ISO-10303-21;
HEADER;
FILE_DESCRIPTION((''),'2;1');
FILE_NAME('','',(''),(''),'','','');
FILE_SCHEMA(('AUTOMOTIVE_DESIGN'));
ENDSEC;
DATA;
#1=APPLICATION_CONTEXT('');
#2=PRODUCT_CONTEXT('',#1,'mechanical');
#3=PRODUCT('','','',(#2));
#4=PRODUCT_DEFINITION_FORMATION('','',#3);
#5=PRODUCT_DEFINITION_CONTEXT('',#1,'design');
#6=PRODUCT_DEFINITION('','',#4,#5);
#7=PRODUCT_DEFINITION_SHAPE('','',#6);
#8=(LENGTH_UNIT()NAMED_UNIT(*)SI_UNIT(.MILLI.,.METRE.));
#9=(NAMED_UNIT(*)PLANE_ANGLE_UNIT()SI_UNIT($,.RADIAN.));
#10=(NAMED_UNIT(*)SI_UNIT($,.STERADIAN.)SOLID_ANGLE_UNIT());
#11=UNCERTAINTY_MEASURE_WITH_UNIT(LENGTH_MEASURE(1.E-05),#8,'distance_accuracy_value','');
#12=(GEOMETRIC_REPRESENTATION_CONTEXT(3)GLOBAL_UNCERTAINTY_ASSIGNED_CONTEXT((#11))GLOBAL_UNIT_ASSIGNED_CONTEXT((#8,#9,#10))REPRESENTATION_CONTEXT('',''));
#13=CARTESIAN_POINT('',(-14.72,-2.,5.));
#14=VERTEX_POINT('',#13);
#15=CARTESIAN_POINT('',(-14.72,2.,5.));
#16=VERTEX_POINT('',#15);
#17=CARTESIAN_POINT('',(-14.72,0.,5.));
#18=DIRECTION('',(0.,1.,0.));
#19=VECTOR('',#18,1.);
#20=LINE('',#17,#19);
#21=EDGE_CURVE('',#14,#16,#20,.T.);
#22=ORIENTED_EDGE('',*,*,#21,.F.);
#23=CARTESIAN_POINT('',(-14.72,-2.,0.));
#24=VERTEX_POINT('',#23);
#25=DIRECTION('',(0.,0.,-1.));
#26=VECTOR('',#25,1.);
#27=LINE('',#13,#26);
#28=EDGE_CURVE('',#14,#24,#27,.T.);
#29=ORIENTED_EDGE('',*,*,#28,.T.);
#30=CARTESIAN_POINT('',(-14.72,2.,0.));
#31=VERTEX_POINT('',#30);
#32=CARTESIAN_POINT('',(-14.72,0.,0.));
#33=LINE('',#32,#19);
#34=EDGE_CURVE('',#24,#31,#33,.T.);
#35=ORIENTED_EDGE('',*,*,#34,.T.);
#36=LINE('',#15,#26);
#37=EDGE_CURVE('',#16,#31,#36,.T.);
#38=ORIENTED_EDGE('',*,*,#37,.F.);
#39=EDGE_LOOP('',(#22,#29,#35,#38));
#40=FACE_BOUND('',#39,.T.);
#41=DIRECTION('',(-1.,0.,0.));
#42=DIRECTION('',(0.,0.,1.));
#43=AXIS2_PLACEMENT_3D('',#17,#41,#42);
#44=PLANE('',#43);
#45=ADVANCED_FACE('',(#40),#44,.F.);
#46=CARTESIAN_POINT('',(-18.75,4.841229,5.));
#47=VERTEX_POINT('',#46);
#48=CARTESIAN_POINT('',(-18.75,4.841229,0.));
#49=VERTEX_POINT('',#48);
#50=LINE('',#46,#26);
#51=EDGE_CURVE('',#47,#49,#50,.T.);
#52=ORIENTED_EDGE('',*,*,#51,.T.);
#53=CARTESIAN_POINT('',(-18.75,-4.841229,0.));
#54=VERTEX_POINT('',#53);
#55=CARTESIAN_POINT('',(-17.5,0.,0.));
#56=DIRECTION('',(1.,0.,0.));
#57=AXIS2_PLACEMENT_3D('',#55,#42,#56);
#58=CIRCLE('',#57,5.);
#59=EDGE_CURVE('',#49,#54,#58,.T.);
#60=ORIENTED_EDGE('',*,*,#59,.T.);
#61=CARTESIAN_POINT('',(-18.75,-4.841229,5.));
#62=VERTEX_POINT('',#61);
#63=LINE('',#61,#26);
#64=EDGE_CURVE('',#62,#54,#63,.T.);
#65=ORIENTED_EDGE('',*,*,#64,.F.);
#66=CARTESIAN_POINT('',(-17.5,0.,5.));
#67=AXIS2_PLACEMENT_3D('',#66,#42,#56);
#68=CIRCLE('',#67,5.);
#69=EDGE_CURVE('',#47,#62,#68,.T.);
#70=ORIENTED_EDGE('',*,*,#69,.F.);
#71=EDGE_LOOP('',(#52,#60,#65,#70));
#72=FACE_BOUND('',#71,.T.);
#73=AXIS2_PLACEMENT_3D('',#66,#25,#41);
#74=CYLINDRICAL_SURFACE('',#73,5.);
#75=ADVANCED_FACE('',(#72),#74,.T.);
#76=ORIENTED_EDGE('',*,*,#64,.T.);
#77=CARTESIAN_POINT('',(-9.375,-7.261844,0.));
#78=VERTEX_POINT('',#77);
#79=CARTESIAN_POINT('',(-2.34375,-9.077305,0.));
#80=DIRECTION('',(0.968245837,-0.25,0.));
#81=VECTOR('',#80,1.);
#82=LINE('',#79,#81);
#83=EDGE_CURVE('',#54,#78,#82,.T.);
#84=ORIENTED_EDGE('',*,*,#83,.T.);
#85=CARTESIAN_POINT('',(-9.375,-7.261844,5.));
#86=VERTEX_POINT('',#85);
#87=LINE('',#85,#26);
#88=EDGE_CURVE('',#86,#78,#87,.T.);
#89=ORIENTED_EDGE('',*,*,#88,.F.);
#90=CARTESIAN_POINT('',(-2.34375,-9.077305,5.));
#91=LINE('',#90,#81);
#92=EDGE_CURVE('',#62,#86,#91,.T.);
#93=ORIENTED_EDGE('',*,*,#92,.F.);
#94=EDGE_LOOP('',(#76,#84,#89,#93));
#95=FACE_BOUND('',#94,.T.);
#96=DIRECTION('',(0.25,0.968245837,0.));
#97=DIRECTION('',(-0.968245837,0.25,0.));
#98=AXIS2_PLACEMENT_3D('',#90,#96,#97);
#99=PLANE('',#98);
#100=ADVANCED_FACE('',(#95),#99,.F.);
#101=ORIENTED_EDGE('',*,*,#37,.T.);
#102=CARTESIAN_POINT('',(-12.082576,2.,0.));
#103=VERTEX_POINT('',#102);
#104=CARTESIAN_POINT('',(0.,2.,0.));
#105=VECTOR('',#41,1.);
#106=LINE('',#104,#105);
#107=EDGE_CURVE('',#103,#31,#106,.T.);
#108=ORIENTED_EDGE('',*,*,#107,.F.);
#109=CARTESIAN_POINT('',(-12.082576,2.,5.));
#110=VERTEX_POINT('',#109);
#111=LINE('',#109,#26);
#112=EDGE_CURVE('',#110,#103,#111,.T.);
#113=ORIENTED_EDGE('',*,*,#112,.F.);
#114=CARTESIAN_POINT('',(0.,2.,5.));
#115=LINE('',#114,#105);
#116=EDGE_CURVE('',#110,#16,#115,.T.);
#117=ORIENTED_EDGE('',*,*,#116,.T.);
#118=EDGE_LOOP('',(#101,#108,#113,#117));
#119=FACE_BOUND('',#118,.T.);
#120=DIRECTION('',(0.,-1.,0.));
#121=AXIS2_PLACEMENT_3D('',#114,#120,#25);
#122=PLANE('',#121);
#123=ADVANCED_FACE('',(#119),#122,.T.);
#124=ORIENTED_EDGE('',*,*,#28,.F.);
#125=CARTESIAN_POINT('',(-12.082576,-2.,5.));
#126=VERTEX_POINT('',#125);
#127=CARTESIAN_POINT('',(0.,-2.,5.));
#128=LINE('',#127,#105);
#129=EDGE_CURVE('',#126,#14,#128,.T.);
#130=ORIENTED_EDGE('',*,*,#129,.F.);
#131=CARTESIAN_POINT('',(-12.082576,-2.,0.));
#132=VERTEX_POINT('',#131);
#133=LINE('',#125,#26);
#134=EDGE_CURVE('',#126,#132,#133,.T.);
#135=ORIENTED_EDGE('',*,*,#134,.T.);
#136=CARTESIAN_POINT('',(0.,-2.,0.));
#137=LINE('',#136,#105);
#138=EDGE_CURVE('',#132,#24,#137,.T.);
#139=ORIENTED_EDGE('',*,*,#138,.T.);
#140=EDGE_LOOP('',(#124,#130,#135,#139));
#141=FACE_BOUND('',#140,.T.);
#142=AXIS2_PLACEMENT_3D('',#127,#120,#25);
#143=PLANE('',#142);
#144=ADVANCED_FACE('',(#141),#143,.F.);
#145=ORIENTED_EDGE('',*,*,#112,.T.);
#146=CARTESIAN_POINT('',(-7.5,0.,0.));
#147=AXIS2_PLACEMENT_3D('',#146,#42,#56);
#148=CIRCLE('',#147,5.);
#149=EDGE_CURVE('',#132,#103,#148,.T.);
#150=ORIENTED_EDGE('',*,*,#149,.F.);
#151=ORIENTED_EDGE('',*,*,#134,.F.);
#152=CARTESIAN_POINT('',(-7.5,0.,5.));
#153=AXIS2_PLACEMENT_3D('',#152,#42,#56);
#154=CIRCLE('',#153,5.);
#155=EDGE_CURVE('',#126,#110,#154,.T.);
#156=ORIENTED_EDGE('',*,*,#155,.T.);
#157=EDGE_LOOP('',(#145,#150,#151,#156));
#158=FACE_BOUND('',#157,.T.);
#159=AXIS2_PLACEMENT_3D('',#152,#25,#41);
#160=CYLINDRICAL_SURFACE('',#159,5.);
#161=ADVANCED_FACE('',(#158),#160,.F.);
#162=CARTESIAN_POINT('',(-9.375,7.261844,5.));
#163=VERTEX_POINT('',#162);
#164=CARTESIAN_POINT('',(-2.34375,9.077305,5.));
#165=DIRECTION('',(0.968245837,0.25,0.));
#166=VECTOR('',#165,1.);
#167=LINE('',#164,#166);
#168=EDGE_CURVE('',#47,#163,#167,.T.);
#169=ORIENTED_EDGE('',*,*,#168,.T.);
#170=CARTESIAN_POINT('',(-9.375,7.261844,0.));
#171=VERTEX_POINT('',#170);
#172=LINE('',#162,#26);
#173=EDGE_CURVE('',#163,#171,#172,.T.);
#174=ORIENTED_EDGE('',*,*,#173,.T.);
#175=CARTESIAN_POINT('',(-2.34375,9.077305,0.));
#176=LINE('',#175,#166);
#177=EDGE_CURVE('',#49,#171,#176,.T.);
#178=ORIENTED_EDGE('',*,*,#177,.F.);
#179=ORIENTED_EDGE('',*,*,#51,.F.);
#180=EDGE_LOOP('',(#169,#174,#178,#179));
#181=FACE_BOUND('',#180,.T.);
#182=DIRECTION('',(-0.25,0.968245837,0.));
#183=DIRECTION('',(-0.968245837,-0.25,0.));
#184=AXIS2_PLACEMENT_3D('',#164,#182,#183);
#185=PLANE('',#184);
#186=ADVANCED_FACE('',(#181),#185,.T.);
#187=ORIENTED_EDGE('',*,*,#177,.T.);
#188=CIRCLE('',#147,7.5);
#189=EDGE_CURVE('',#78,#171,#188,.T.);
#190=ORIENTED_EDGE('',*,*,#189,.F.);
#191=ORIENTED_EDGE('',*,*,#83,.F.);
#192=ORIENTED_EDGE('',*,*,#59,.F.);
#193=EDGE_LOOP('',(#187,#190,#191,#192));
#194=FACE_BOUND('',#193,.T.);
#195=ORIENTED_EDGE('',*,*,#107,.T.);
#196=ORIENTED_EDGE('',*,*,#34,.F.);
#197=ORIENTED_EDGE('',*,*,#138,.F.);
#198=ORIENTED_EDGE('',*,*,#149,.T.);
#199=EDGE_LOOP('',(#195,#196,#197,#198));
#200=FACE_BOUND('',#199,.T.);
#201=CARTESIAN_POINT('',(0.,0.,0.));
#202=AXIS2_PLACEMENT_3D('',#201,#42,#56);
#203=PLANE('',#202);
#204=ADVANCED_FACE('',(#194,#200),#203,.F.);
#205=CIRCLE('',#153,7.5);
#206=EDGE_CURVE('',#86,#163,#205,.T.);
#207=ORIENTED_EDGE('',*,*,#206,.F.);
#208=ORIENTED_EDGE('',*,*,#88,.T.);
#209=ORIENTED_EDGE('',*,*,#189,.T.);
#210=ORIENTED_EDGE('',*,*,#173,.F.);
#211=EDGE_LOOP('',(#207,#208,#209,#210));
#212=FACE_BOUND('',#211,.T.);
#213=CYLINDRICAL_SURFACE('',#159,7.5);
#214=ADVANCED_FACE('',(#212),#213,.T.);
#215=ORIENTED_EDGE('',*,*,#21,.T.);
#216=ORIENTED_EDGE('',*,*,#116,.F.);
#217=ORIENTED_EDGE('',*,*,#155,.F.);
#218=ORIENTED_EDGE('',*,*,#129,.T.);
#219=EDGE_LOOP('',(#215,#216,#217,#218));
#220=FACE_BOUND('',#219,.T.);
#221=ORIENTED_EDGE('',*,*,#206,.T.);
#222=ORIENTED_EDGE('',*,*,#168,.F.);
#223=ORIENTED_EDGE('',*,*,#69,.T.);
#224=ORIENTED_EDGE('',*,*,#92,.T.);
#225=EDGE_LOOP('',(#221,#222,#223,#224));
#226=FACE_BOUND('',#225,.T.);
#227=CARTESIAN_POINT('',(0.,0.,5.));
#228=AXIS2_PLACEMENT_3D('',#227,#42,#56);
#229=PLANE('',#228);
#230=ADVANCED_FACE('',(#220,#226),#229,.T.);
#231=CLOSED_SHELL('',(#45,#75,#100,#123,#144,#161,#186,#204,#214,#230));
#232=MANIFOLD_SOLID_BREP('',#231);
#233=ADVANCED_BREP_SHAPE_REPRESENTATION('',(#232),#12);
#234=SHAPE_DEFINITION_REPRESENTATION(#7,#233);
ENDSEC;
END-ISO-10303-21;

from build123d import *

# Parameters (mm, degrees)
BOSS_EXTRUDE2_DEPTH = 5


with BuildPart() as part:
    # Sketch3 → Boss-Extrude2 (new body)
    with BuildSketch(Plane.XY):
        with BuildLine():
            ThreePointArc((-18.75, 4.841229183), (-22.5, 0), (-18.75, -4.841229183))
            Line((-18.75, -4.841229183), (-9.375, -7.261843774))
            ThreePointArc((-9.375, -7.261843774), (0, 0), (-9.375, 7.261843774))
            Line((-9.375, 7.261843774), (-18.75, 4.841229183))
        make_face()
        with BuildLine():
            ThreePointArc((-12.082575695, 2), (-2.5, 0), (-12.082575695, -2))
            Line((-12.082575695, -2), (-14.72, -2))
            Line((-14.72, -2), (-14.72, 2))
            Line((-14.72, 2), (-12.082575695, 2))
        make_face(mode=Mode.SUBTRACT)
    extrude(amount=BOSS_EXTRUDE2_DEPTH)


solid = part.part
